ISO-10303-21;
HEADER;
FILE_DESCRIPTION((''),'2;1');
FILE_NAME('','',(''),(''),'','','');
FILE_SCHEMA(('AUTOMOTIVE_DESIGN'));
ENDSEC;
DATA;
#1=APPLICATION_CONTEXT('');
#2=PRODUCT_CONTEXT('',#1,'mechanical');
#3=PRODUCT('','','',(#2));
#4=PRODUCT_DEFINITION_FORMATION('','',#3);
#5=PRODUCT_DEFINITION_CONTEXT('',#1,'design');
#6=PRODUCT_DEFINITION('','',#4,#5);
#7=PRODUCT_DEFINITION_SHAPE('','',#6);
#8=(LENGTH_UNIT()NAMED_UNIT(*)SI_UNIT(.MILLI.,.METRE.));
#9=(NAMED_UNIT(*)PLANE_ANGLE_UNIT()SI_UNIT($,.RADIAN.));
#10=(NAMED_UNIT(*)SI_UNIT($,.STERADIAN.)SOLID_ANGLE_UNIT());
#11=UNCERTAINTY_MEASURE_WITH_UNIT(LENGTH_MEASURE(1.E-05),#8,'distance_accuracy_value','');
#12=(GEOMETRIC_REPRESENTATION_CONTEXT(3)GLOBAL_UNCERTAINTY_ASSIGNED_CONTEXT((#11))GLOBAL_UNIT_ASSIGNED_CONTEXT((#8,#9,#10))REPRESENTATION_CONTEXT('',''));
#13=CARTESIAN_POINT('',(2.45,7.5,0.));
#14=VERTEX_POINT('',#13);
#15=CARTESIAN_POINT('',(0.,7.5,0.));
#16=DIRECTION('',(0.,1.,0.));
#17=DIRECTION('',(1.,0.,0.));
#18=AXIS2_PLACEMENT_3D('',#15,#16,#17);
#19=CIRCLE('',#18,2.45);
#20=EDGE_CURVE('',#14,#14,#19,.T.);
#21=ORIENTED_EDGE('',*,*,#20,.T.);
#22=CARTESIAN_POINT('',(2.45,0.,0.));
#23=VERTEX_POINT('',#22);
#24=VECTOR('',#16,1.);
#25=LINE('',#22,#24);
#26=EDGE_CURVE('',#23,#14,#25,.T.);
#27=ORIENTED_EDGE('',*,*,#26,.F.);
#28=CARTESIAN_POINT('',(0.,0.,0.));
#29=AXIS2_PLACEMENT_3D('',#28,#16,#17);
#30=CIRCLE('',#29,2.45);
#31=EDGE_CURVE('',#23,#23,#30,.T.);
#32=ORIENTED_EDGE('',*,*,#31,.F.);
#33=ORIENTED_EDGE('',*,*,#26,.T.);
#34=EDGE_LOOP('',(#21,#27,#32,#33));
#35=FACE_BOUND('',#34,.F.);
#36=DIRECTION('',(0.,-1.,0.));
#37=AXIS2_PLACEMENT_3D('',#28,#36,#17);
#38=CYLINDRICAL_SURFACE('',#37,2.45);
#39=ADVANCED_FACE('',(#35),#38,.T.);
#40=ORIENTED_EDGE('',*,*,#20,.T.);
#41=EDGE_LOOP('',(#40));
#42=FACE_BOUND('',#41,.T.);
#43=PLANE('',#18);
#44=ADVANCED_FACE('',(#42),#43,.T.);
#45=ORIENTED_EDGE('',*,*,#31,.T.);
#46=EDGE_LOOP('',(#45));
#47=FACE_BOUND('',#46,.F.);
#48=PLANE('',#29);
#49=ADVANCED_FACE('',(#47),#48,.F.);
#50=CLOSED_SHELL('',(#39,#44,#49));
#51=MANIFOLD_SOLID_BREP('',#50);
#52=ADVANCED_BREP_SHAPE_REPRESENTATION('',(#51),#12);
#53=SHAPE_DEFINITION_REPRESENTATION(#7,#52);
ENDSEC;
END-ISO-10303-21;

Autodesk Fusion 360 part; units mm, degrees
sketch "Sketch1" plane through (0, 0, 0) normal (0, 1, 0) x (1, 0, 0)
  circle A0 centre (0, 0) radius 2.45
  dimension "d1" = 4.9
extrude "Extrude1" add sketch "Sketch1" along normal blind 7.5
